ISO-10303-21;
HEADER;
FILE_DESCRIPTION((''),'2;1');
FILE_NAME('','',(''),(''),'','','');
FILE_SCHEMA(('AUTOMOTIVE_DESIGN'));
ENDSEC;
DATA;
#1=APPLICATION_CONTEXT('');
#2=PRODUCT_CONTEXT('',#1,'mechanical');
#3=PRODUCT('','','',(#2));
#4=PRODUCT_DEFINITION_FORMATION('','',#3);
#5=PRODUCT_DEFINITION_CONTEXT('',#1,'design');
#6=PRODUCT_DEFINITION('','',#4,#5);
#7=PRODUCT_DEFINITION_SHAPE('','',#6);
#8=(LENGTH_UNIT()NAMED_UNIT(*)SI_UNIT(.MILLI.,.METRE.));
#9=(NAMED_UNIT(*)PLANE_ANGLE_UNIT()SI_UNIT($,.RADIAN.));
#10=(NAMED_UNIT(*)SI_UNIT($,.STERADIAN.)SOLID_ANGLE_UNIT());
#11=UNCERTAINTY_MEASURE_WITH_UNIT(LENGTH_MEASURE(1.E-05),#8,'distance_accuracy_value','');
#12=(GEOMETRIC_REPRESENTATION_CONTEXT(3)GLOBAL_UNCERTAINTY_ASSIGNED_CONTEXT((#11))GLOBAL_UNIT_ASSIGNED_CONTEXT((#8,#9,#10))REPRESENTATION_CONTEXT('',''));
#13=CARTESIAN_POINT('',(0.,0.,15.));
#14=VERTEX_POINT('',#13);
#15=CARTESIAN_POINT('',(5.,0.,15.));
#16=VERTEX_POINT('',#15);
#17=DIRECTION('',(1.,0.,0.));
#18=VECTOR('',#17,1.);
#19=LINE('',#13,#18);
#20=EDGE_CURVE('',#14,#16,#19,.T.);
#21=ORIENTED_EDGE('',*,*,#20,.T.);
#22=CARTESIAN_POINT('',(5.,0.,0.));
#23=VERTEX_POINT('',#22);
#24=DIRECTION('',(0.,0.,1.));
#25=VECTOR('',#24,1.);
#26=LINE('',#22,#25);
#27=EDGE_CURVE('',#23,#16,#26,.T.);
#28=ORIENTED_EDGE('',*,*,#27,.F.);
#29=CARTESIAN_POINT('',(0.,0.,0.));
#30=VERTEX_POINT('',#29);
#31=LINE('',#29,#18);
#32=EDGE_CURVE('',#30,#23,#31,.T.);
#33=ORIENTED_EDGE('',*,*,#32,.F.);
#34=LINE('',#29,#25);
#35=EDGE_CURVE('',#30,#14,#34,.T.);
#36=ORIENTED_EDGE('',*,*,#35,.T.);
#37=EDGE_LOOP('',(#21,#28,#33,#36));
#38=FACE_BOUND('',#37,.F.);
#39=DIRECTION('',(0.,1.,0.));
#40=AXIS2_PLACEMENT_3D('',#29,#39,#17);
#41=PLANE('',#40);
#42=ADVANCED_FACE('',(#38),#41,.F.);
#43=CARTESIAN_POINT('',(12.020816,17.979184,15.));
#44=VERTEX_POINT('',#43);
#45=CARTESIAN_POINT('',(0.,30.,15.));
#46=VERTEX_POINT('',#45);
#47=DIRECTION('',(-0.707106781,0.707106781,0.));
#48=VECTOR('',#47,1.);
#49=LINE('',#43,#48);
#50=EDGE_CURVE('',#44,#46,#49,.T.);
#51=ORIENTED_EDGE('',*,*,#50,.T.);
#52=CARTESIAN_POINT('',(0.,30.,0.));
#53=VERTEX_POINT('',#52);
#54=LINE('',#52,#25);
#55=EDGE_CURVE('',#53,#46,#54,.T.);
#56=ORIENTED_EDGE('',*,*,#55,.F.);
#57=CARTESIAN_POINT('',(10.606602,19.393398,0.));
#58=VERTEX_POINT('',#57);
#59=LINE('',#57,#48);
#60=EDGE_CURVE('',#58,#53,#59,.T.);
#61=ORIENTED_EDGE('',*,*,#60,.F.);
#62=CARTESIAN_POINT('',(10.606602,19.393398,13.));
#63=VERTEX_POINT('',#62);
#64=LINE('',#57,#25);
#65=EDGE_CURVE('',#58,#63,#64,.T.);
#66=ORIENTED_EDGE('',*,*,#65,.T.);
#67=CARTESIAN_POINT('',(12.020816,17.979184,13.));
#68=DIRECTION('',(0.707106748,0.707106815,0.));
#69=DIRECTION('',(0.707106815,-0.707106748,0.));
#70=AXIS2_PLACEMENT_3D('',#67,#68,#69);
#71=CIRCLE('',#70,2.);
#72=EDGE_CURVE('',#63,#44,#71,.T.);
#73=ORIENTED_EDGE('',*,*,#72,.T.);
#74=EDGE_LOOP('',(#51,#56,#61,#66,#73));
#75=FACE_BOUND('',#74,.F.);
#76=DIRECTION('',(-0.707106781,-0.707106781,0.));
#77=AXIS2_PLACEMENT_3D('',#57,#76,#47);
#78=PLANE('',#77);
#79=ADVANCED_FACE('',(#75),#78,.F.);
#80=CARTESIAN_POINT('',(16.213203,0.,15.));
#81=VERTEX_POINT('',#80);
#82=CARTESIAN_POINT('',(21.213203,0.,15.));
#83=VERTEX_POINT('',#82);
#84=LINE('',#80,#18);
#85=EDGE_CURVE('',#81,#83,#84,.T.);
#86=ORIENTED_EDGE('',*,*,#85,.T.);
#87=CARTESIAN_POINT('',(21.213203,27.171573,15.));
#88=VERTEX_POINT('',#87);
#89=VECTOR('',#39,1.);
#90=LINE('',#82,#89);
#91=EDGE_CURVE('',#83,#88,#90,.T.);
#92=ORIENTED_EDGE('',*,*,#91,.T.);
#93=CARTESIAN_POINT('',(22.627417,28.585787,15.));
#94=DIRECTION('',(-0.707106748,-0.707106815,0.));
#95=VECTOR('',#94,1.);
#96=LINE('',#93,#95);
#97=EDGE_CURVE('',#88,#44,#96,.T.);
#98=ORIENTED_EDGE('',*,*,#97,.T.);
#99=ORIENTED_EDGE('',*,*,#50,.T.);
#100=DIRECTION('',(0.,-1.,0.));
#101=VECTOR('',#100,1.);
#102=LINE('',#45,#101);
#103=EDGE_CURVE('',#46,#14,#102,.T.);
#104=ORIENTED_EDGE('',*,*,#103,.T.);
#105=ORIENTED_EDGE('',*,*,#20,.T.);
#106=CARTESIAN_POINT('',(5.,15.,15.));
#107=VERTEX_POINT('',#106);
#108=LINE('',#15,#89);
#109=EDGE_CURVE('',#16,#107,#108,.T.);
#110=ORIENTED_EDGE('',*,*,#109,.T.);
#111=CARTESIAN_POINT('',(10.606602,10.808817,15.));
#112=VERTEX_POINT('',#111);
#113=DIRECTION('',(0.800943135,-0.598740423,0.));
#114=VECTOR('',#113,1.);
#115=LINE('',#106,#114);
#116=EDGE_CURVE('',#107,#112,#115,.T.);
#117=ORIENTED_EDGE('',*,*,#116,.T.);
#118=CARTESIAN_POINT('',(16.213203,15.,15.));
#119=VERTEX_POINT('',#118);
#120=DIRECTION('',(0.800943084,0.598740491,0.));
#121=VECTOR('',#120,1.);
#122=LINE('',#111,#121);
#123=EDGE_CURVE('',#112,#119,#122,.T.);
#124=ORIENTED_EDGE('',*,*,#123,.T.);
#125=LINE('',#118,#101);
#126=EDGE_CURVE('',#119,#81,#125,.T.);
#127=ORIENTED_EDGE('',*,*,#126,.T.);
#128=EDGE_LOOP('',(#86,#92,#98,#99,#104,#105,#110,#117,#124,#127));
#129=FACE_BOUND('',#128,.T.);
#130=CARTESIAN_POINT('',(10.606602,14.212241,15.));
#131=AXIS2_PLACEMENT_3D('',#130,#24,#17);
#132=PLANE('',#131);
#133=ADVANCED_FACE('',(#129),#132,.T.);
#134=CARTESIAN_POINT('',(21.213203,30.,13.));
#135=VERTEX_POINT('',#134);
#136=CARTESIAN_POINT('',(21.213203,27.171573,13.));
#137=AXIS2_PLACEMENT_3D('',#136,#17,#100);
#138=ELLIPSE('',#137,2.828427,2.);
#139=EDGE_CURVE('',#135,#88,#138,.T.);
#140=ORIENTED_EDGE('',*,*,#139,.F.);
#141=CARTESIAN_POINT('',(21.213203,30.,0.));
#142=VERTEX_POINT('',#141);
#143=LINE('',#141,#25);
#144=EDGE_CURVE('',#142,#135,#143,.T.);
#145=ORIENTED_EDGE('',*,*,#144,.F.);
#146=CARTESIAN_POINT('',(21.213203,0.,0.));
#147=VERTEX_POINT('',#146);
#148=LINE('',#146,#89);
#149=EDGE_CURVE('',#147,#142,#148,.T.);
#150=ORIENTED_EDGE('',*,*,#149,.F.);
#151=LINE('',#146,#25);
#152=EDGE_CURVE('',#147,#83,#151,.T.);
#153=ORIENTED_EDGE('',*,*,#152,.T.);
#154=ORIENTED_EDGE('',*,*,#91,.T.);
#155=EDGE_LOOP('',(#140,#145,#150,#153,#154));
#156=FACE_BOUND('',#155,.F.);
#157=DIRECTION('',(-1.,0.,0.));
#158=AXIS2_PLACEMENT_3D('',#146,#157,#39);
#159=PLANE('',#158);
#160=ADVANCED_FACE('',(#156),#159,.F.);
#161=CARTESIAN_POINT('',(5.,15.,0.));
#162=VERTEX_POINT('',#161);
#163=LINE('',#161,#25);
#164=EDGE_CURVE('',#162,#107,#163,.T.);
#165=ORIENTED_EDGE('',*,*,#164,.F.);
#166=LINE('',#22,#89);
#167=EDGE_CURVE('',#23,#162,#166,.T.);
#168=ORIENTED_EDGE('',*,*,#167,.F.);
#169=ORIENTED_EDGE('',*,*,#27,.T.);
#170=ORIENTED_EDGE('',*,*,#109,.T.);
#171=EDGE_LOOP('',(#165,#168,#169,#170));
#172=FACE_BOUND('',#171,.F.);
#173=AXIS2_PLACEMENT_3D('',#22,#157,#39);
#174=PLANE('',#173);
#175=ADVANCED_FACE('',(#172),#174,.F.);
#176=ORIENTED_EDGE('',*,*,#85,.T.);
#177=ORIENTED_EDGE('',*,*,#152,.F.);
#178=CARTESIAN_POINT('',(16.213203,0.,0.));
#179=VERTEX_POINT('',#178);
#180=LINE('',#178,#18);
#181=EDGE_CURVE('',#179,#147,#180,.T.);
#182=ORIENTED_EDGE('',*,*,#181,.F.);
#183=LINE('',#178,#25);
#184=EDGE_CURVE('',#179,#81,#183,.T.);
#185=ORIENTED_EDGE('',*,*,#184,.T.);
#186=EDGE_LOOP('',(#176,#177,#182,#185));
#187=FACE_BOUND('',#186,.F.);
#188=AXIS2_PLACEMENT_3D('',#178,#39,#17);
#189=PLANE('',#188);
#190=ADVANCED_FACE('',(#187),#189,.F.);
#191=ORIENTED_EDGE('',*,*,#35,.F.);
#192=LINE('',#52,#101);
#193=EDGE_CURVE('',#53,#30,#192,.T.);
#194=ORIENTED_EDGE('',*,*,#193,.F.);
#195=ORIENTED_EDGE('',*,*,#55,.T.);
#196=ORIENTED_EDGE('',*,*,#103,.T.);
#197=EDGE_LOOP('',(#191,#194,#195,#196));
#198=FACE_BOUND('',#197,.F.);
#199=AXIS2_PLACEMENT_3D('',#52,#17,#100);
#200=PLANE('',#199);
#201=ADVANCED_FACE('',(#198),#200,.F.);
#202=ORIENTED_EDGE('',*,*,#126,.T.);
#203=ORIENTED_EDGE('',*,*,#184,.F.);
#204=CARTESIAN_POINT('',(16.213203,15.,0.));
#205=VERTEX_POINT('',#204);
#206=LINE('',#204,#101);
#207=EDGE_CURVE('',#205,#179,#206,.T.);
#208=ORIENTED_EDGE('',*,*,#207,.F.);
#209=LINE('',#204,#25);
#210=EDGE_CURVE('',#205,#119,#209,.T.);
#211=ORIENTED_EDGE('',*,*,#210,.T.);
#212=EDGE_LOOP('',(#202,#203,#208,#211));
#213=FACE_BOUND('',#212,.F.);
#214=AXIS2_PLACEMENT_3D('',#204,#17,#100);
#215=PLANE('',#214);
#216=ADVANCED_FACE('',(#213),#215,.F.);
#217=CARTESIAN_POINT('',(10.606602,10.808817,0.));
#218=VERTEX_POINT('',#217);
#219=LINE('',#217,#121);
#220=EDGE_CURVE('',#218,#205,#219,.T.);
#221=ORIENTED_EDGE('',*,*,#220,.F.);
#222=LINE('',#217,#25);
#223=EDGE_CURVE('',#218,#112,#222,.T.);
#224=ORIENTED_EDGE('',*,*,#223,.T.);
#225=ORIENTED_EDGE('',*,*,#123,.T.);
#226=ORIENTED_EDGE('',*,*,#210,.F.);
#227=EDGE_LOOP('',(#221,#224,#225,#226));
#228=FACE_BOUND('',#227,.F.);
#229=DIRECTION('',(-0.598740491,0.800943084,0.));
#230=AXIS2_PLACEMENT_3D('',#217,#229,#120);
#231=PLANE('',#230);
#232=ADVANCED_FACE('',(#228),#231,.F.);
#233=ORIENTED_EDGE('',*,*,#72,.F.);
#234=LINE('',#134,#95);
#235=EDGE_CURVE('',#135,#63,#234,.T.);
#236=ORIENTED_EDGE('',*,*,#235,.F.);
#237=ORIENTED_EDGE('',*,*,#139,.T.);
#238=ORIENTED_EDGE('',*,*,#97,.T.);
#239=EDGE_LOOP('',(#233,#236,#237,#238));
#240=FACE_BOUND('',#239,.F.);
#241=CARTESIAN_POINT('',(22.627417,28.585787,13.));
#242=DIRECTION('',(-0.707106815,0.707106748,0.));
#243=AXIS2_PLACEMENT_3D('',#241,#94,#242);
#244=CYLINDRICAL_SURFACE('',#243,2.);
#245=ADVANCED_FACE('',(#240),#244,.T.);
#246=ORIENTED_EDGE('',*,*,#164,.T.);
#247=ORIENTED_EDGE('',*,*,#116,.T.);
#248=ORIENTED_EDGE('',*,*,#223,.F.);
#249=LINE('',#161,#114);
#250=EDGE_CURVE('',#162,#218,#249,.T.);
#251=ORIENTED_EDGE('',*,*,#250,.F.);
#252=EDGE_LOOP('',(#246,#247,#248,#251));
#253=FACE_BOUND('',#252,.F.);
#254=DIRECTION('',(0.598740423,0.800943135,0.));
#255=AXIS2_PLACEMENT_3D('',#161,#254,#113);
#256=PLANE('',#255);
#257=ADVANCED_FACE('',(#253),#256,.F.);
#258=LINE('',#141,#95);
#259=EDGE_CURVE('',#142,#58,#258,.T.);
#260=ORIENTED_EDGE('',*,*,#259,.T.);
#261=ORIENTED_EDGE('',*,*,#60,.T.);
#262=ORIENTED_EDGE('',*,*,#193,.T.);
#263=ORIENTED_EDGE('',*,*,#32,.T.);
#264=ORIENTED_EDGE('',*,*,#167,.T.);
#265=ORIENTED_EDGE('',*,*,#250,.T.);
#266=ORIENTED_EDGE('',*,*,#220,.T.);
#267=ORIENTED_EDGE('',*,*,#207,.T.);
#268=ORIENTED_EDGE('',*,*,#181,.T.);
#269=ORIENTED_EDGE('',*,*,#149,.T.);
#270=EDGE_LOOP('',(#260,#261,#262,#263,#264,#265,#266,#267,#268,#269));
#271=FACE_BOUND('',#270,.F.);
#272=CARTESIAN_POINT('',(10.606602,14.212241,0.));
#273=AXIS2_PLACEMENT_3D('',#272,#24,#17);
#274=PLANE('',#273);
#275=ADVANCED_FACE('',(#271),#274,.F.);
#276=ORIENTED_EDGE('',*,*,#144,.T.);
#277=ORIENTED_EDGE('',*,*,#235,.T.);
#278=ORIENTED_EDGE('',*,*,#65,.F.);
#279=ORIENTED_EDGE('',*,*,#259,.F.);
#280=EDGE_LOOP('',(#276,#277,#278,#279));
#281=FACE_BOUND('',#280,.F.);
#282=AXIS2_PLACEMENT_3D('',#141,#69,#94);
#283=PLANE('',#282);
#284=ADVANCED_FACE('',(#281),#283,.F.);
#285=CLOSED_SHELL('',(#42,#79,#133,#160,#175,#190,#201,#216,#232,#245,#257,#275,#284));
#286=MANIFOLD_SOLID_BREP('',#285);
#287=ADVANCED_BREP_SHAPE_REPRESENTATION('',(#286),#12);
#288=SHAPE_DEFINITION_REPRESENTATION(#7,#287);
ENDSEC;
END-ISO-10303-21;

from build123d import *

# Parameters (mm, degrees)
F1_DEPTH = 15
F2_R     = 2


with BuildPart() as f1:
    # F0 (on Top) → F1 (new body)
    with BuildSketch(Plane.XY):
        Polygon((0, 30), (0, 0), (5, 0), (5, 15), (10.606602, 10.808817), (16.213203, 15), (16.213203, 0), (21.213203, 0), (21.213203, 30), (10.606602, 19.393398), align=None)
    extrude(amount=F1_DEPTH)

    # F2
    f2_edges = [f1.edges().sort_by_distance(p)[0] for p in [
        (15.909903, 24.696699, 15),
    ]]
    fillet(f2_edges, radius=F2_R)


solid = f1.part
